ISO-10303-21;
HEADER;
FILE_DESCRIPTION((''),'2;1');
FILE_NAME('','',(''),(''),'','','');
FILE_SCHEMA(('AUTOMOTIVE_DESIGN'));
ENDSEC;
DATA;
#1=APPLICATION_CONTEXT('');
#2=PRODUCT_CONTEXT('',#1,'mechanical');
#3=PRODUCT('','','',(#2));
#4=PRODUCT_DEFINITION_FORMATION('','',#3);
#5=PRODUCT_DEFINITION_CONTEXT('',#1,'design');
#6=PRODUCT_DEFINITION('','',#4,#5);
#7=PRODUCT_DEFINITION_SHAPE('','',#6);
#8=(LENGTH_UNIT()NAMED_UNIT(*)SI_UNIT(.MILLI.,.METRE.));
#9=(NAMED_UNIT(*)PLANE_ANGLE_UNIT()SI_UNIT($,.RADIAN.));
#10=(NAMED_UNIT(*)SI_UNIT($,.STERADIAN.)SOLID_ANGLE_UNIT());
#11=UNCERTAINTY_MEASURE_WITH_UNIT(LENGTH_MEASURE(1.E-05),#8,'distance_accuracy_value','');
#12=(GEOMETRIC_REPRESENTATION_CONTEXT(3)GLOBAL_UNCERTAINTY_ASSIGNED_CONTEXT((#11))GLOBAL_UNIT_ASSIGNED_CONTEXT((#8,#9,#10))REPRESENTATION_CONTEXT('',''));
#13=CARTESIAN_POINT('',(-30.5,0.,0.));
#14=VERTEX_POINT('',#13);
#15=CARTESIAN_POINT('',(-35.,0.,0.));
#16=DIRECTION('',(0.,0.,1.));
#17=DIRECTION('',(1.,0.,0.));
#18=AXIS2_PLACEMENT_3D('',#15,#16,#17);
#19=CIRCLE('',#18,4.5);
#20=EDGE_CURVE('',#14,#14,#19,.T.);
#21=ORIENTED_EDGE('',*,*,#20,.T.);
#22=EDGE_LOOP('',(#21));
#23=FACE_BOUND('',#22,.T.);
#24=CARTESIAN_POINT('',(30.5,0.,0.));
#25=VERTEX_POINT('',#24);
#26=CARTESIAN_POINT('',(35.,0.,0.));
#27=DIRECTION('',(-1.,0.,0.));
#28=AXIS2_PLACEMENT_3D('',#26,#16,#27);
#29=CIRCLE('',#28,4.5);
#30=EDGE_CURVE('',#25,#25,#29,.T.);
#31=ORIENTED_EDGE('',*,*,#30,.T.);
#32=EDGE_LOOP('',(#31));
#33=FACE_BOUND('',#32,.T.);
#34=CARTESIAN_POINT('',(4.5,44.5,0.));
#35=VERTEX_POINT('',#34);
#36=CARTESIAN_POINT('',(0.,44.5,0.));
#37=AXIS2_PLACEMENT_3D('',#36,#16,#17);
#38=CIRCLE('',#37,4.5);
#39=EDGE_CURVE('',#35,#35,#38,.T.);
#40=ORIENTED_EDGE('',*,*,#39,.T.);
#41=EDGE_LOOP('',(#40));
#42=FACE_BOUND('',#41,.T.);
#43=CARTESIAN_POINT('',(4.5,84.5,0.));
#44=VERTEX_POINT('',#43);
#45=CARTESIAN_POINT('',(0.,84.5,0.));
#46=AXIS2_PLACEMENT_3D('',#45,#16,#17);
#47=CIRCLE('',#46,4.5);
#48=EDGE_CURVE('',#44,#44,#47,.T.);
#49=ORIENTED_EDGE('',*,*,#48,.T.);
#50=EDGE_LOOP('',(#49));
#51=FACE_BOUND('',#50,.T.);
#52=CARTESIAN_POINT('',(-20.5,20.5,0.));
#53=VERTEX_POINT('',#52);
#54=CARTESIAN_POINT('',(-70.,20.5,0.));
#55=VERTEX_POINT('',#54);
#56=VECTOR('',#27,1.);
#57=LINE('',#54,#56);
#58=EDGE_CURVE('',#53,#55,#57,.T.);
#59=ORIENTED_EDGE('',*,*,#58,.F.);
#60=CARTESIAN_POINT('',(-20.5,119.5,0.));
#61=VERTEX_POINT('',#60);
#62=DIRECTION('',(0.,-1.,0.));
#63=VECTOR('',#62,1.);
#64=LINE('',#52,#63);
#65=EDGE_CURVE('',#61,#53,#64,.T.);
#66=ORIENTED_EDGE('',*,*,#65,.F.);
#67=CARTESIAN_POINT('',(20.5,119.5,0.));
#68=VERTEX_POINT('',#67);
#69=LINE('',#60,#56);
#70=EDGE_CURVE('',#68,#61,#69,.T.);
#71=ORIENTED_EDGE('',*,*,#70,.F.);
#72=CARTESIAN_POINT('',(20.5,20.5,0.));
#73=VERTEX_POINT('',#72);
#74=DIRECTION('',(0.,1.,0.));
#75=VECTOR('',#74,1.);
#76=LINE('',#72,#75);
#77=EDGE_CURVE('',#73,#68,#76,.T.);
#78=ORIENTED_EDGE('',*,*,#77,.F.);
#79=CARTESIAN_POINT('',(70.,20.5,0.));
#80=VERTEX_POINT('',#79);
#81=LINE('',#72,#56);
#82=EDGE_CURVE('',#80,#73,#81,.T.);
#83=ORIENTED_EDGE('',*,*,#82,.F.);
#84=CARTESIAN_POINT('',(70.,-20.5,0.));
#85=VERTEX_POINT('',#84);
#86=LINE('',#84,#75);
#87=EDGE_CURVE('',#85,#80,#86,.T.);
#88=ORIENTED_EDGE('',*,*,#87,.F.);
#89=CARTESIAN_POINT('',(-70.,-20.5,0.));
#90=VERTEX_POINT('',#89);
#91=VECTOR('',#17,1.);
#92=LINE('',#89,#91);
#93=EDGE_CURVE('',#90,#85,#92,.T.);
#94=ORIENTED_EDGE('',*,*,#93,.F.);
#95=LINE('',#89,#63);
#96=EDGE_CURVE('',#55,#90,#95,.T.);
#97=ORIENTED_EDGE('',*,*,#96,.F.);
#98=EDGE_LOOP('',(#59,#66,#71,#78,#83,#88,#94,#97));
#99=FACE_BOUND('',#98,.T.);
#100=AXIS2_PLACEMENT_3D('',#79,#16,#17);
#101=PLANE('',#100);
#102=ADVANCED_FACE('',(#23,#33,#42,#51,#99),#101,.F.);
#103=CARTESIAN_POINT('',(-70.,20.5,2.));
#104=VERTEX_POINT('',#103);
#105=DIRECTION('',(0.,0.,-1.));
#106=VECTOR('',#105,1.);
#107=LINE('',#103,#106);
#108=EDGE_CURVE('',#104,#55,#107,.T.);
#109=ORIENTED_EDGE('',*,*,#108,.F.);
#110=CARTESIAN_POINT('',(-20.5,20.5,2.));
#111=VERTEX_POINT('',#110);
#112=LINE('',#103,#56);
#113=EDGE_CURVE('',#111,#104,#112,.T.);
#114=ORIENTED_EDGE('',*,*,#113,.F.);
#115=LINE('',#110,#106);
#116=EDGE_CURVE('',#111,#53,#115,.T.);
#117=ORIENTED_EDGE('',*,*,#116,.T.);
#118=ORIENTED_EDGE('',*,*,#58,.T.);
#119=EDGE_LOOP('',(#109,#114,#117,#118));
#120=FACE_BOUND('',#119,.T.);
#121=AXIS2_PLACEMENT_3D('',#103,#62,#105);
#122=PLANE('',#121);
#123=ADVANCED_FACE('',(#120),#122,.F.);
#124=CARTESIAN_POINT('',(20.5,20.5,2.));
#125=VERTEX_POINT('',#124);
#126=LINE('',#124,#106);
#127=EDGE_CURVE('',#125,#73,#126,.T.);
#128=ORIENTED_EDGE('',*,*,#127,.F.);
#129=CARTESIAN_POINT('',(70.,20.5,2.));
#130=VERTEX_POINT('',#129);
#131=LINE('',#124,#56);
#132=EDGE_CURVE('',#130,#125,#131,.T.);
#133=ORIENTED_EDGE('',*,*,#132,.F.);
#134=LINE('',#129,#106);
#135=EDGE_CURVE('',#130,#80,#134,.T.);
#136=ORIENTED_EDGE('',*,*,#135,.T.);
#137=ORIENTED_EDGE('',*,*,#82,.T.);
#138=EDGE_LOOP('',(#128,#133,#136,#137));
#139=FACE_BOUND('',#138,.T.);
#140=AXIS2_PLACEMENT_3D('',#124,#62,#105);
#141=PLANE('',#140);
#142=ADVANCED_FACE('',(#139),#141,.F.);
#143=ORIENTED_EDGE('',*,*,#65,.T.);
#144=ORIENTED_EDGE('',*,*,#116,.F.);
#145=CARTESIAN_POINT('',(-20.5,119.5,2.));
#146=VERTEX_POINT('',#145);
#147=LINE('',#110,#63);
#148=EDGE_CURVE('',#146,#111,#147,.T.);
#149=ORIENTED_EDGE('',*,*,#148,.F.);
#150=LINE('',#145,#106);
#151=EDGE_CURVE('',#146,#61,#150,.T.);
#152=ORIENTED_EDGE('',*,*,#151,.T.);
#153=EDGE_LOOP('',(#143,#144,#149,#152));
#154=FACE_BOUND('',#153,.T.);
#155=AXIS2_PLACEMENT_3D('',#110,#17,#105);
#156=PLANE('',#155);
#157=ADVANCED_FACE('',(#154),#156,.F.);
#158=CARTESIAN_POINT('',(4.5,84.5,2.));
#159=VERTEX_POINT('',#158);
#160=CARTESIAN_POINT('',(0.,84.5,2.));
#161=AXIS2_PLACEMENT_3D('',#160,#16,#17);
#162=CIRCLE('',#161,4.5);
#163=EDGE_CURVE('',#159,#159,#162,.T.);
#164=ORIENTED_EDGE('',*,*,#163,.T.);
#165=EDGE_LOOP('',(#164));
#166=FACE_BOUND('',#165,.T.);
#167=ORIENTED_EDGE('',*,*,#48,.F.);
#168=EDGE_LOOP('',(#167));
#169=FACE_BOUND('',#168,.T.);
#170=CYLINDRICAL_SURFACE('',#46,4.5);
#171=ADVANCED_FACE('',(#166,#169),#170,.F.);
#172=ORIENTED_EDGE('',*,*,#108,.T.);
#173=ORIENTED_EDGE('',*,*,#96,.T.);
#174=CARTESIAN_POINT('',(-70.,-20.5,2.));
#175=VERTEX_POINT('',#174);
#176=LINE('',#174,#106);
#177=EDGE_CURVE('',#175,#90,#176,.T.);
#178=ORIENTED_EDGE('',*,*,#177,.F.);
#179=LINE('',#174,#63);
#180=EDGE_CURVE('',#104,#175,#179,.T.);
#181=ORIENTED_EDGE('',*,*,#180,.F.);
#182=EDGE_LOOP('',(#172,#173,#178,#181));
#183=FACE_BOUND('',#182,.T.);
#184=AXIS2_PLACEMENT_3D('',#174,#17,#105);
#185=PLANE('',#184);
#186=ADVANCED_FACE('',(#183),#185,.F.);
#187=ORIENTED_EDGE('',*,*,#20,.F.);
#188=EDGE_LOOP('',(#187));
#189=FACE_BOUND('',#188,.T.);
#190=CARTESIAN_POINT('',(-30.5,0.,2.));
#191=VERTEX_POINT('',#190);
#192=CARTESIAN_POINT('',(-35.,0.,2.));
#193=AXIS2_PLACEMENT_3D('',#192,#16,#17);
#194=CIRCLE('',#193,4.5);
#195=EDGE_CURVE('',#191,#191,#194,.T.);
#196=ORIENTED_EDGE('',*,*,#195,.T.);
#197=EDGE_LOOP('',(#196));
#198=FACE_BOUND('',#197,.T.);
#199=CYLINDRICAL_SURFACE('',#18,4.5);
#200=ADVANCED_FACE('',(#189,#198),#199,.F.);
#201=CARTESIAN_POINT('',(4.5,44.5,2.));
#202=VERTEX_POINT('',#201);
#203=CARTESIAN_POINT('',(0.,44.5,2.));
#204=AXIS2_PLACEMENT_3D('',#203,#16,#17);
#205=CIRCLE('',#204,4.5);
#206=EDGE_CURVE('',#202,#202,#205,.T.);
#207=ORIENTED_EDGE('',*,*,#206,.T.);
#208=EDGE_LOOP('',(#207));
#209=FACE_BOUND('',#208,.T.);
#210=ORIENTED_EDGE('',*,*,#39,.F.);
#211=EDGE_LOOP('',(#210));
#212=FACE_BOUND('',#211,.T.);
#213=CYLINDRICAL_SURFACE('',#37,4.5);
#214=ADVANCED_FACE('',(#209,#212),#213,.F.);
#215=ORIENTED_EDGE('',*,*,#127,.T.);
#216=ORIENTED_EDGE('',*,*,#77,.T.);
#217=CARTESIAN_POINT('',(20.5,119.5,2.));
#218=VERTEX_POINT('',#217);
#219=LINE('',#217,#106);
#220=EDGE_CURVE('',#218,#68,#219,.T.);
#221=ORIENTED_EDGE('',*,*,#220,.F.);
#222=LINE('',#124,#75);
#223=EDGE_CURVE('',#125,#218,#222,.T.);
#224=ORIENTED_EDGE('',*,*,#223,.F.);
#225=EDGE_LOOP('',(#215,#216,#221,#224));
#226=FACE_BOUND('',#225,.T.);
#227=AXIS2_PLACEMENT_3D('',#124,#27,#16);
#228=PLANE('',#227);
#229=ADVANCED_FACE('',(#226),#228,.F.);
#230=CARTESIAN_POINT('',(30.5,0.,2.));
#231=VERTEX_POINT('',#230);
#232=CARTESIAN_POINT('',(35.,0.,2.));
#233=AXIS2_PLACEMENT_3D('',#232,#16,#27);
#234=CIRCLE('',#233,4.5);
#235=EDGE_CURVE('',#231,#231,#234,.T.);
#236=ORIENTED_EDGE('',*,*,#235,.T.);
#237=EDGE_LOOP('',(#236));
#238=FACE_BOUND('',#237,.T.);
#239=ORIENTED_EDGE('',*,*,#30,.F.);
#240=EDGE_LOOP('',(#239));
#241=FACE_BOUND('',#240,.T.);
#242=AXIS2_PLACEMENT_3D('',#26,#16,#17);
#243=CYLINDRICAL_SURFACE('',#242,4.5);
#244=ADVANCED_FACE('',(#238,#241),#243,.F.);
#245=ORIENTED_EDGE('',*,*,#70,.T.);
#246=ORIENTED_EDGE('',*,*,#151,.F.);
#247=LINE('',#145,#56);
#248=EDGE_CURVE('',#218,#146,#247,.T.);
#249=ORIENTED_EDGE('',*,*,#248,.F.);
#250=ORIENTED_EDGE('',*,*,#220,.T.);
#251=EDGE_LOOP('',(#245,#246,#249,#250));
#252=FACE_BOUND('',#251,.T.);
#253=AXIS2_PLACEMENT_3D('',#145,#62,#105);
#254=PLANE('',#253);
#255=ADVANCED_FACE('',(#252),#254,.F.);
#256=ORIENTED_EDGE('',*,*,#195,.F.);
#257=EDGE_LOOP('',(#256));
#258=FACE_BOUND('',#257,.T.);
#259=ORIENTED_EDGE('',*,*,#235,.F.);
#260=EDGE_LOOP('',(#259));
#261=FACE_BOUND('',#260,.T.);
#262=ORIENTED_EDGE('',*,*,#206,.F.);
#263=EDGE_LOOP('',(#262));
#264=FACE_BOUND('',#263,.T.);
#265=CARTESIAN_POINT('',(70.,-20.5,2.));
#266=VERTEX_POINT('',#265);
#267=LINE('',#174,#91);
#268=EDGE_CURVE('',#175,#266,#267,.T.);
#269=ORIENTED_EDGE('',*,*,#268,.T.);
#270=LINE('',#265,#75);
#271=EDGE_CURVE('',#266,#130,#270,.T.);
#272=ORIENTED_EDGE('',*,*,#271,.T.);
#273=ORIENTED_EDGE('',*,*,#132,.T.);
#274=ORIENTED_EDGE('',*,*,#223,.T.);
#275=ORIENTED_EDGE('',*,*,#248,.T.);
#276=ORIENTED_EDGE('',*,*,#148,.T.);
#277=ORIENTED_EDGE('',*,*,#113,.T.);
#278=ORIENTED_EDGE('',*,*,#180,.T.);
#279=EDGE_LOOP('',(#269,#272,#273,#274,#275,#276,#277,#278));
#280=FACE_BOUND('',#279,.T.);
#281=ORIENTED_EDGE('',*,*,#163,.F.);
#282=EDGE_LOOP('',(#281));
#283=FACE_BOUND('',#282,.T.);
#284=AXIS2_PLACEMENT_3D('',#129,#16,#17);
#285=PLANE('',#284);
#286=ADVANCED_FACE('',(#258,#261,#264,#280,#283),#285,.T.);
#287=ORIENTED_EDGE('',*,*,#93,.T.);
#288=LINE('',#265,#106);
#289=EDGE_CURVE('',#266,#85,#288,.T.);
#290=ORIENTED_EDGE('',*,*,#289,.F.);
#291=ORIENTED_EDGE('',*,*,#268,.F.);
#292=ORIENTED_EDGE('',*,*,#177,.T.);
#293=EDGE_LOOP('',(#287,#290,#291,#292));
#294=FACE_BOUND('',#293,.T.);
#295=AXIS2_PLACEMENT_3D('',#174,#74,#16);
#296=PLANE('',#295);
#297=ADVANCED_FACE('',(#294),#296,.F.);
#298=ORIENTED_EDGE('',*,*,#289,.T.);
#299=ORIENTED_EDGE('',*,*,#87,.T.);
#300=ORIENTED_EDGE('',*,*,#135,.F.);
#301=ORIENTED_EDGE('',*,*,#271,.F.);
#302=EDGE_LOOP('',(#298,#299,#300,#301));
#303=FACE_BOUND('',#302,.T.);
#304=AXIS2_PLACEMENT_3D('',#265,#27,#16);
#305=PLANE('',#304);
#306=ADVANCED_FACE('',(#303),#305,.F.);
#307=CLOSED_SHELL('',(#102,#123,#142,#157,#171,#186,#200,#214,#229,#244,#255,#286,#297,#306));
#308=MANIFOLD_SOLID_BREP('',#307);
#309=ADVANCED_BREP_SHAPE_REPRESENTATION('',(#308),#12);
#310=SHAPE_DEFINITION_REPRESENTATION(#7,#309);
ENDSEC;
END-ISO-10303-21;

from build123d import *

# Parameters (mm, degrees)
EXTRUDE_1_DEPTH     = 2
SKETCH_2_R          = 4.5
CUT_EXTRUDE_1_DEPTH = 139.507220028


with BuildPart() as part:
    # 草图1 → 凸台-拉伸1 (new body)
    with BuildSketch(Plane.XY):
        Polygon((-70, -20.5), (70, -20.5), (70, 20.5), (20.5, 20.5), (20.5, 119.5), (-20.5, 119.5), (-20.5, 20.5), (-70, 20.5), align=None)
    extrude(amount=EXTRUDE_1_DEPTH)

    # 草图2 → 切除-拉伸1 (cut, through all)
    with BuildSketch(Plane.XY.offset(2)):
        with Locations((0, 84.5)):
            Circle(SKETCH_2_R)
        with Locations((0, 44.5)):
            Circle(SKETCH_2_R)
        with Locations((-35, 0)):
            Circle(SKETCH_2_R)
        with Locations(Location((35, 0, 0), (0, 0, 180))):
            Circle(SKETCH_2_R)
    extrude(amount=-CUT_EXTRUDE_1_DEPTH, mode=Mode.SUBTRACT)


solid = part.part
